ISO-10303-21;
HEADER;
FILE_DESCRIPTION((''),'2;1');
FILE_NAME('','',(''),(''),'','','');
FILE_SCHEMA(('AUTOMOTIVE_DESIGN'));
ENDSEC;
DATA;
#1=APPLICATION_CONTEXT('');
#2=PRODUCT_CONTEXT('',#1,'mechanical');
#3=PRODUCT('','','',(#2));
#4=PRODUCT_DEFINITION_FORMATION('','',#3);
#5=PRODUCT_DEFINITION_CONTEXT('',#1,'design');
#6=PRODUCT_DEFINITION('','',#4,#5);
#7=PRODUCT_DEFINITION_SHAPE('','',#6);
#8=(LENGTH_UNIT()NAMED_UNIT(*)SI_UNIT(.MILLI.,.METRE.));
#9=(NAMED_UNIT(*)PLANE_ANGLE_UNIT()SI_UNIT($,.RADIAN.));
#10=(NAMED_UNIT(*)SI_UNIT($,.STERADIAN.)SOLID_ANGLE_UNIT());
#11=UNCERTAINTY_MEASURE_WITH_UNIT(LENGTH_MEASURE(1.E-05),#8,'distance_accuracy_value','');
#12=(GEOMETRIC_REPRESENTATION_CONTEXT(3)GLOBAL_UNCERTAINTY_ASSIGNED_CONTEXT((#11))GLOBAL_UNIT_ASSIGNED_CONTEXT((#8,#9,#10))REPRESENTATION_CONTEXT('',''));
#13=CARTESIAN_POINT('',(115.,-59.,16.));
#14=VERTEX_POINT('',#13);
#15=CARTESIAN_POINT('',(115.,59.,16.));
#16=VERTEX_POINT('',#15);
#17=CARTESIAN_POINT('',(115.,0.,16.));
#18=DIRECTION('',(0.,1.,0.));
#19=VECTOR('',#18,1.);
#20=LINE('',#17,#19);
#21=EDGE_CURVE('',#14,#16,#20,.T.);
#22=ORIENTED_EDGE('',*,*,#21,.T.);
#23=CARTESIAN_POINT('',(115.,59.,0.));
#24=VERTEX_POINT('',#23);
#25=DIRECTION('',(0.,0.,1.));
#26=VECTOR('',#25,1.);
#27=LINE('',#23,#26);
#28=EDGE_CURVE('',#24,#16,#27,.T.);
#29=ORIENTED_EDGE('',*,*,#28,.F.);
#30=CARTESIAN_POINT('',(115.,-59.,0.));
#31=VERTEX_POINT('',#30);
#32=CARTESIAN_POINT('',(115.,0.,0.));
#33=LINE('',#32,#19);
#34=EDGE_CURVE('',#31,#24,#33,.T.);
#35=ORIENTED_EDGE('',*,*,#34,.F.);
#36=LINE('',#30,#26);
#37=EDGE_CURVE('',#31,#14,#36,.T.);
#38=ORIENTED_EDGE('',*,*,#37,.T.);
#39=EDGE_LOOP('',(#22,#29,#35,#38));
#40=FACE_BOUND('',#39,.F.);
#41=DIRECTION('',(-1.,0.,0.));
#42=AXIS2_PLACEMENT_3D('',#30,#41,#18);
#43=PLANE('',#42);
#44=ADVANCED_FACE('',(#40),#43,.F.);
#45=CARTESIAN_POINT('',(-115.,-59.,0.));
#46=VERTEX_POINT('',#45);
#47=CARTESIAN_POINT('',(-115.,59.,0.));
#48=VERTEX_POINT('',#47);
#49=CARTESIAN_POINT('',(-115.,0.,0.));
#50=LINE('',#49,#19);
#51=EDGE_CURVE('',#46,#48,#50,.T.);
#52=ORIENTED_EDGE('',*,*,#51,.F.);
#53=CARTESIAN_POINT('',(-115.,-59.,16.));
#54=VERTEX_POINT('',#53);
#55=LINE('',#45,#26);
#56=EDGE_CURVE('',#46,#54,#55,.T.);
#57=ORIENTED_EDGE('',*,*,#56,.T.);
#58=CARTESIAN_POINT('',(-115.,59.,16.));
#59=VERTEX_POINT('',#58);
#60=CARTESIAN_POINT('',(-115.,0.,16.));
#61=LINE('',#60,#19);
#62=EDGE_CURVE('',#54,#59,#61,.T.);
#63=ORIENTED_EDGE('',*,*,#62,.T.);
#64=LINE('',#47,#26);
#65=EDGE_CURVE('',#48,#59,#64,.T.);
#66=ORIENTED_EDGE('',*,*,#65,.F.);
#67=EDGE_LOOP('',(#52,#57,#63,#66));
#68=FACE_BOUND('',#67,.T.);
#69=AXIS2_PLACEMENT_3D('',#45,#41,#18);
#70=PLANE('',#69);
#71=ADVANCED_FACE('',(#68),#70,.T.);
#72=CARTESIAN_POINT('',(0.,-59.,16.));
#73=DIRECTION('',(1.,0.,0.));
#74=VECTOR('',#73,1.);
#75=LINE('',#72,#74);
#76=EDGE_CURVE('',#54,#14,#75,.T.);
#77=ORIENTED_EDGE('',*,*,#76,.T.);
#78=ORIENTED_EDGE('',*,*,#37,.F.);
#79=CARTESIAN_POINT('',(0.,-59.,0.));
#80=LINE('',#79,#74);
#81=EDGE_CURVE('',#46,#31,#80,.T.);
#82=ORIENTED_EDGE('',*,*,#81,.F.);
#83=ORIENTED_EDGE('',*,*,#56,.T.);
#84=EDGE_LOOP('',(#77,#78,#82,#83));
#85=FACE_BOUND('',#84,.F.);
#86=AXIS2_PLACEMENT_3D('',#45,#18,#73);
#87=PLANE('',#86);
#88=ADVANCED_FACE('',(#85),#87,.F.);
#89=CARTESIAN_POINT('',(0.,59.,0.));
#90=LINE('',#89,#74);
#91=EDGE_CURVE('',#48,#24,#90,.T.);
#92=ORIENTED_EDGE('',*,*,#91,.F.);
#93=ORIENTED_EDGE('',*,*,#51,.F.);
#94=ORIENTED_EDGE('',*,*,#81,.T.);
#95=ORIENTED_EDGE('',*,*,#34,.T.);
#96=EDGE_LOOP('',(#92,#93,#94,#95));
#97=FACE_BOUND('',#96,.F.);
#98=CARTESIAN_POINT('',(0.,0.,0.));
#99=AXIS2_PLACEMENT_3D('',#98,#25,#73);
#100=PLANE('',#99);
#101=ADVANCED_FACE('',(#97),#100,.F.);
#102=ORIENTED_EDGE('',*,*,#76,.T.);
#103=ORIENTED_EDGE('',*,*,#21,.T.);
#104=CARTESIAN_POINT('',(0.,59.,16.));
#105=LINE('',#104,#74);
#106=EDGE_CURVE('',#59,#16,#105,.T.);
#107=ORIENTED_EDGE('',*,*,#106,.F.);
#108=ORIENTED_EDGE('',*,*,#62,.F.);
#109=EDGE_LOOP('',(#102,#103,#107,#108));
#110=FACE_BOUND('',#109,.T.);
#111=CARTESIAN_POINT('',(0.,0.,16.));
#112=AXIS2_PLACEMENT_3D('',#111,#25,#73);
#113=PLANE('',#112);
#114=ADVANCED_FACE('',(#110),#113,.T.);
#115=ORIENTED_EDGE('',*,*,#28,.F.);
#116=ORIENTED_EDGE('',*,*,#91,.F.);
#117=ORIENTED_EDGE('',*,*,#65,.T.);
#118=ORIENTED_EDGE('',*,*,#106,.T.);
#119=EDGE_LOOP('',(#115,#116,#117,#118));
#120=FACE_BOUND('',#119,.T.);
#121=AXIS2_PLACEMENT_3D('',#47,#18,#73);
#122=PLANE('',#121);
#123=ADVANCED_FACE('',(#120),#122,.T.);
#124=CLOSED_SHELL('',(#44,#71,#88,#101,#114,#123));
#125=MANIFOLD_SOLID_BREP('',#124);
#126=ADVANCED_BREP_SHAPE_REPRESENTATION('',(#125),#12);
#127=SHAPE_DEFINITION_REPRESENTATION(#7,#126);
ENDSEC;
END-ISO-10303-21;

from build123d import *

# Parameters (mm, degrees)
SKETCH_1_W      = 230
SKETCH_1_H      = 118
EXTRUDE_1_DEPTH = 16


with BuildPart() as part:
    # 草图1 → 凸台-拉伸1 (new body)
    with BuildSketch(Plane.XY):
        Rectangle(SKETCH_1_W, SKETCH_1_H)
    extrude(amount=EXTRUDE_1_DEPTH)


solid = part.part
